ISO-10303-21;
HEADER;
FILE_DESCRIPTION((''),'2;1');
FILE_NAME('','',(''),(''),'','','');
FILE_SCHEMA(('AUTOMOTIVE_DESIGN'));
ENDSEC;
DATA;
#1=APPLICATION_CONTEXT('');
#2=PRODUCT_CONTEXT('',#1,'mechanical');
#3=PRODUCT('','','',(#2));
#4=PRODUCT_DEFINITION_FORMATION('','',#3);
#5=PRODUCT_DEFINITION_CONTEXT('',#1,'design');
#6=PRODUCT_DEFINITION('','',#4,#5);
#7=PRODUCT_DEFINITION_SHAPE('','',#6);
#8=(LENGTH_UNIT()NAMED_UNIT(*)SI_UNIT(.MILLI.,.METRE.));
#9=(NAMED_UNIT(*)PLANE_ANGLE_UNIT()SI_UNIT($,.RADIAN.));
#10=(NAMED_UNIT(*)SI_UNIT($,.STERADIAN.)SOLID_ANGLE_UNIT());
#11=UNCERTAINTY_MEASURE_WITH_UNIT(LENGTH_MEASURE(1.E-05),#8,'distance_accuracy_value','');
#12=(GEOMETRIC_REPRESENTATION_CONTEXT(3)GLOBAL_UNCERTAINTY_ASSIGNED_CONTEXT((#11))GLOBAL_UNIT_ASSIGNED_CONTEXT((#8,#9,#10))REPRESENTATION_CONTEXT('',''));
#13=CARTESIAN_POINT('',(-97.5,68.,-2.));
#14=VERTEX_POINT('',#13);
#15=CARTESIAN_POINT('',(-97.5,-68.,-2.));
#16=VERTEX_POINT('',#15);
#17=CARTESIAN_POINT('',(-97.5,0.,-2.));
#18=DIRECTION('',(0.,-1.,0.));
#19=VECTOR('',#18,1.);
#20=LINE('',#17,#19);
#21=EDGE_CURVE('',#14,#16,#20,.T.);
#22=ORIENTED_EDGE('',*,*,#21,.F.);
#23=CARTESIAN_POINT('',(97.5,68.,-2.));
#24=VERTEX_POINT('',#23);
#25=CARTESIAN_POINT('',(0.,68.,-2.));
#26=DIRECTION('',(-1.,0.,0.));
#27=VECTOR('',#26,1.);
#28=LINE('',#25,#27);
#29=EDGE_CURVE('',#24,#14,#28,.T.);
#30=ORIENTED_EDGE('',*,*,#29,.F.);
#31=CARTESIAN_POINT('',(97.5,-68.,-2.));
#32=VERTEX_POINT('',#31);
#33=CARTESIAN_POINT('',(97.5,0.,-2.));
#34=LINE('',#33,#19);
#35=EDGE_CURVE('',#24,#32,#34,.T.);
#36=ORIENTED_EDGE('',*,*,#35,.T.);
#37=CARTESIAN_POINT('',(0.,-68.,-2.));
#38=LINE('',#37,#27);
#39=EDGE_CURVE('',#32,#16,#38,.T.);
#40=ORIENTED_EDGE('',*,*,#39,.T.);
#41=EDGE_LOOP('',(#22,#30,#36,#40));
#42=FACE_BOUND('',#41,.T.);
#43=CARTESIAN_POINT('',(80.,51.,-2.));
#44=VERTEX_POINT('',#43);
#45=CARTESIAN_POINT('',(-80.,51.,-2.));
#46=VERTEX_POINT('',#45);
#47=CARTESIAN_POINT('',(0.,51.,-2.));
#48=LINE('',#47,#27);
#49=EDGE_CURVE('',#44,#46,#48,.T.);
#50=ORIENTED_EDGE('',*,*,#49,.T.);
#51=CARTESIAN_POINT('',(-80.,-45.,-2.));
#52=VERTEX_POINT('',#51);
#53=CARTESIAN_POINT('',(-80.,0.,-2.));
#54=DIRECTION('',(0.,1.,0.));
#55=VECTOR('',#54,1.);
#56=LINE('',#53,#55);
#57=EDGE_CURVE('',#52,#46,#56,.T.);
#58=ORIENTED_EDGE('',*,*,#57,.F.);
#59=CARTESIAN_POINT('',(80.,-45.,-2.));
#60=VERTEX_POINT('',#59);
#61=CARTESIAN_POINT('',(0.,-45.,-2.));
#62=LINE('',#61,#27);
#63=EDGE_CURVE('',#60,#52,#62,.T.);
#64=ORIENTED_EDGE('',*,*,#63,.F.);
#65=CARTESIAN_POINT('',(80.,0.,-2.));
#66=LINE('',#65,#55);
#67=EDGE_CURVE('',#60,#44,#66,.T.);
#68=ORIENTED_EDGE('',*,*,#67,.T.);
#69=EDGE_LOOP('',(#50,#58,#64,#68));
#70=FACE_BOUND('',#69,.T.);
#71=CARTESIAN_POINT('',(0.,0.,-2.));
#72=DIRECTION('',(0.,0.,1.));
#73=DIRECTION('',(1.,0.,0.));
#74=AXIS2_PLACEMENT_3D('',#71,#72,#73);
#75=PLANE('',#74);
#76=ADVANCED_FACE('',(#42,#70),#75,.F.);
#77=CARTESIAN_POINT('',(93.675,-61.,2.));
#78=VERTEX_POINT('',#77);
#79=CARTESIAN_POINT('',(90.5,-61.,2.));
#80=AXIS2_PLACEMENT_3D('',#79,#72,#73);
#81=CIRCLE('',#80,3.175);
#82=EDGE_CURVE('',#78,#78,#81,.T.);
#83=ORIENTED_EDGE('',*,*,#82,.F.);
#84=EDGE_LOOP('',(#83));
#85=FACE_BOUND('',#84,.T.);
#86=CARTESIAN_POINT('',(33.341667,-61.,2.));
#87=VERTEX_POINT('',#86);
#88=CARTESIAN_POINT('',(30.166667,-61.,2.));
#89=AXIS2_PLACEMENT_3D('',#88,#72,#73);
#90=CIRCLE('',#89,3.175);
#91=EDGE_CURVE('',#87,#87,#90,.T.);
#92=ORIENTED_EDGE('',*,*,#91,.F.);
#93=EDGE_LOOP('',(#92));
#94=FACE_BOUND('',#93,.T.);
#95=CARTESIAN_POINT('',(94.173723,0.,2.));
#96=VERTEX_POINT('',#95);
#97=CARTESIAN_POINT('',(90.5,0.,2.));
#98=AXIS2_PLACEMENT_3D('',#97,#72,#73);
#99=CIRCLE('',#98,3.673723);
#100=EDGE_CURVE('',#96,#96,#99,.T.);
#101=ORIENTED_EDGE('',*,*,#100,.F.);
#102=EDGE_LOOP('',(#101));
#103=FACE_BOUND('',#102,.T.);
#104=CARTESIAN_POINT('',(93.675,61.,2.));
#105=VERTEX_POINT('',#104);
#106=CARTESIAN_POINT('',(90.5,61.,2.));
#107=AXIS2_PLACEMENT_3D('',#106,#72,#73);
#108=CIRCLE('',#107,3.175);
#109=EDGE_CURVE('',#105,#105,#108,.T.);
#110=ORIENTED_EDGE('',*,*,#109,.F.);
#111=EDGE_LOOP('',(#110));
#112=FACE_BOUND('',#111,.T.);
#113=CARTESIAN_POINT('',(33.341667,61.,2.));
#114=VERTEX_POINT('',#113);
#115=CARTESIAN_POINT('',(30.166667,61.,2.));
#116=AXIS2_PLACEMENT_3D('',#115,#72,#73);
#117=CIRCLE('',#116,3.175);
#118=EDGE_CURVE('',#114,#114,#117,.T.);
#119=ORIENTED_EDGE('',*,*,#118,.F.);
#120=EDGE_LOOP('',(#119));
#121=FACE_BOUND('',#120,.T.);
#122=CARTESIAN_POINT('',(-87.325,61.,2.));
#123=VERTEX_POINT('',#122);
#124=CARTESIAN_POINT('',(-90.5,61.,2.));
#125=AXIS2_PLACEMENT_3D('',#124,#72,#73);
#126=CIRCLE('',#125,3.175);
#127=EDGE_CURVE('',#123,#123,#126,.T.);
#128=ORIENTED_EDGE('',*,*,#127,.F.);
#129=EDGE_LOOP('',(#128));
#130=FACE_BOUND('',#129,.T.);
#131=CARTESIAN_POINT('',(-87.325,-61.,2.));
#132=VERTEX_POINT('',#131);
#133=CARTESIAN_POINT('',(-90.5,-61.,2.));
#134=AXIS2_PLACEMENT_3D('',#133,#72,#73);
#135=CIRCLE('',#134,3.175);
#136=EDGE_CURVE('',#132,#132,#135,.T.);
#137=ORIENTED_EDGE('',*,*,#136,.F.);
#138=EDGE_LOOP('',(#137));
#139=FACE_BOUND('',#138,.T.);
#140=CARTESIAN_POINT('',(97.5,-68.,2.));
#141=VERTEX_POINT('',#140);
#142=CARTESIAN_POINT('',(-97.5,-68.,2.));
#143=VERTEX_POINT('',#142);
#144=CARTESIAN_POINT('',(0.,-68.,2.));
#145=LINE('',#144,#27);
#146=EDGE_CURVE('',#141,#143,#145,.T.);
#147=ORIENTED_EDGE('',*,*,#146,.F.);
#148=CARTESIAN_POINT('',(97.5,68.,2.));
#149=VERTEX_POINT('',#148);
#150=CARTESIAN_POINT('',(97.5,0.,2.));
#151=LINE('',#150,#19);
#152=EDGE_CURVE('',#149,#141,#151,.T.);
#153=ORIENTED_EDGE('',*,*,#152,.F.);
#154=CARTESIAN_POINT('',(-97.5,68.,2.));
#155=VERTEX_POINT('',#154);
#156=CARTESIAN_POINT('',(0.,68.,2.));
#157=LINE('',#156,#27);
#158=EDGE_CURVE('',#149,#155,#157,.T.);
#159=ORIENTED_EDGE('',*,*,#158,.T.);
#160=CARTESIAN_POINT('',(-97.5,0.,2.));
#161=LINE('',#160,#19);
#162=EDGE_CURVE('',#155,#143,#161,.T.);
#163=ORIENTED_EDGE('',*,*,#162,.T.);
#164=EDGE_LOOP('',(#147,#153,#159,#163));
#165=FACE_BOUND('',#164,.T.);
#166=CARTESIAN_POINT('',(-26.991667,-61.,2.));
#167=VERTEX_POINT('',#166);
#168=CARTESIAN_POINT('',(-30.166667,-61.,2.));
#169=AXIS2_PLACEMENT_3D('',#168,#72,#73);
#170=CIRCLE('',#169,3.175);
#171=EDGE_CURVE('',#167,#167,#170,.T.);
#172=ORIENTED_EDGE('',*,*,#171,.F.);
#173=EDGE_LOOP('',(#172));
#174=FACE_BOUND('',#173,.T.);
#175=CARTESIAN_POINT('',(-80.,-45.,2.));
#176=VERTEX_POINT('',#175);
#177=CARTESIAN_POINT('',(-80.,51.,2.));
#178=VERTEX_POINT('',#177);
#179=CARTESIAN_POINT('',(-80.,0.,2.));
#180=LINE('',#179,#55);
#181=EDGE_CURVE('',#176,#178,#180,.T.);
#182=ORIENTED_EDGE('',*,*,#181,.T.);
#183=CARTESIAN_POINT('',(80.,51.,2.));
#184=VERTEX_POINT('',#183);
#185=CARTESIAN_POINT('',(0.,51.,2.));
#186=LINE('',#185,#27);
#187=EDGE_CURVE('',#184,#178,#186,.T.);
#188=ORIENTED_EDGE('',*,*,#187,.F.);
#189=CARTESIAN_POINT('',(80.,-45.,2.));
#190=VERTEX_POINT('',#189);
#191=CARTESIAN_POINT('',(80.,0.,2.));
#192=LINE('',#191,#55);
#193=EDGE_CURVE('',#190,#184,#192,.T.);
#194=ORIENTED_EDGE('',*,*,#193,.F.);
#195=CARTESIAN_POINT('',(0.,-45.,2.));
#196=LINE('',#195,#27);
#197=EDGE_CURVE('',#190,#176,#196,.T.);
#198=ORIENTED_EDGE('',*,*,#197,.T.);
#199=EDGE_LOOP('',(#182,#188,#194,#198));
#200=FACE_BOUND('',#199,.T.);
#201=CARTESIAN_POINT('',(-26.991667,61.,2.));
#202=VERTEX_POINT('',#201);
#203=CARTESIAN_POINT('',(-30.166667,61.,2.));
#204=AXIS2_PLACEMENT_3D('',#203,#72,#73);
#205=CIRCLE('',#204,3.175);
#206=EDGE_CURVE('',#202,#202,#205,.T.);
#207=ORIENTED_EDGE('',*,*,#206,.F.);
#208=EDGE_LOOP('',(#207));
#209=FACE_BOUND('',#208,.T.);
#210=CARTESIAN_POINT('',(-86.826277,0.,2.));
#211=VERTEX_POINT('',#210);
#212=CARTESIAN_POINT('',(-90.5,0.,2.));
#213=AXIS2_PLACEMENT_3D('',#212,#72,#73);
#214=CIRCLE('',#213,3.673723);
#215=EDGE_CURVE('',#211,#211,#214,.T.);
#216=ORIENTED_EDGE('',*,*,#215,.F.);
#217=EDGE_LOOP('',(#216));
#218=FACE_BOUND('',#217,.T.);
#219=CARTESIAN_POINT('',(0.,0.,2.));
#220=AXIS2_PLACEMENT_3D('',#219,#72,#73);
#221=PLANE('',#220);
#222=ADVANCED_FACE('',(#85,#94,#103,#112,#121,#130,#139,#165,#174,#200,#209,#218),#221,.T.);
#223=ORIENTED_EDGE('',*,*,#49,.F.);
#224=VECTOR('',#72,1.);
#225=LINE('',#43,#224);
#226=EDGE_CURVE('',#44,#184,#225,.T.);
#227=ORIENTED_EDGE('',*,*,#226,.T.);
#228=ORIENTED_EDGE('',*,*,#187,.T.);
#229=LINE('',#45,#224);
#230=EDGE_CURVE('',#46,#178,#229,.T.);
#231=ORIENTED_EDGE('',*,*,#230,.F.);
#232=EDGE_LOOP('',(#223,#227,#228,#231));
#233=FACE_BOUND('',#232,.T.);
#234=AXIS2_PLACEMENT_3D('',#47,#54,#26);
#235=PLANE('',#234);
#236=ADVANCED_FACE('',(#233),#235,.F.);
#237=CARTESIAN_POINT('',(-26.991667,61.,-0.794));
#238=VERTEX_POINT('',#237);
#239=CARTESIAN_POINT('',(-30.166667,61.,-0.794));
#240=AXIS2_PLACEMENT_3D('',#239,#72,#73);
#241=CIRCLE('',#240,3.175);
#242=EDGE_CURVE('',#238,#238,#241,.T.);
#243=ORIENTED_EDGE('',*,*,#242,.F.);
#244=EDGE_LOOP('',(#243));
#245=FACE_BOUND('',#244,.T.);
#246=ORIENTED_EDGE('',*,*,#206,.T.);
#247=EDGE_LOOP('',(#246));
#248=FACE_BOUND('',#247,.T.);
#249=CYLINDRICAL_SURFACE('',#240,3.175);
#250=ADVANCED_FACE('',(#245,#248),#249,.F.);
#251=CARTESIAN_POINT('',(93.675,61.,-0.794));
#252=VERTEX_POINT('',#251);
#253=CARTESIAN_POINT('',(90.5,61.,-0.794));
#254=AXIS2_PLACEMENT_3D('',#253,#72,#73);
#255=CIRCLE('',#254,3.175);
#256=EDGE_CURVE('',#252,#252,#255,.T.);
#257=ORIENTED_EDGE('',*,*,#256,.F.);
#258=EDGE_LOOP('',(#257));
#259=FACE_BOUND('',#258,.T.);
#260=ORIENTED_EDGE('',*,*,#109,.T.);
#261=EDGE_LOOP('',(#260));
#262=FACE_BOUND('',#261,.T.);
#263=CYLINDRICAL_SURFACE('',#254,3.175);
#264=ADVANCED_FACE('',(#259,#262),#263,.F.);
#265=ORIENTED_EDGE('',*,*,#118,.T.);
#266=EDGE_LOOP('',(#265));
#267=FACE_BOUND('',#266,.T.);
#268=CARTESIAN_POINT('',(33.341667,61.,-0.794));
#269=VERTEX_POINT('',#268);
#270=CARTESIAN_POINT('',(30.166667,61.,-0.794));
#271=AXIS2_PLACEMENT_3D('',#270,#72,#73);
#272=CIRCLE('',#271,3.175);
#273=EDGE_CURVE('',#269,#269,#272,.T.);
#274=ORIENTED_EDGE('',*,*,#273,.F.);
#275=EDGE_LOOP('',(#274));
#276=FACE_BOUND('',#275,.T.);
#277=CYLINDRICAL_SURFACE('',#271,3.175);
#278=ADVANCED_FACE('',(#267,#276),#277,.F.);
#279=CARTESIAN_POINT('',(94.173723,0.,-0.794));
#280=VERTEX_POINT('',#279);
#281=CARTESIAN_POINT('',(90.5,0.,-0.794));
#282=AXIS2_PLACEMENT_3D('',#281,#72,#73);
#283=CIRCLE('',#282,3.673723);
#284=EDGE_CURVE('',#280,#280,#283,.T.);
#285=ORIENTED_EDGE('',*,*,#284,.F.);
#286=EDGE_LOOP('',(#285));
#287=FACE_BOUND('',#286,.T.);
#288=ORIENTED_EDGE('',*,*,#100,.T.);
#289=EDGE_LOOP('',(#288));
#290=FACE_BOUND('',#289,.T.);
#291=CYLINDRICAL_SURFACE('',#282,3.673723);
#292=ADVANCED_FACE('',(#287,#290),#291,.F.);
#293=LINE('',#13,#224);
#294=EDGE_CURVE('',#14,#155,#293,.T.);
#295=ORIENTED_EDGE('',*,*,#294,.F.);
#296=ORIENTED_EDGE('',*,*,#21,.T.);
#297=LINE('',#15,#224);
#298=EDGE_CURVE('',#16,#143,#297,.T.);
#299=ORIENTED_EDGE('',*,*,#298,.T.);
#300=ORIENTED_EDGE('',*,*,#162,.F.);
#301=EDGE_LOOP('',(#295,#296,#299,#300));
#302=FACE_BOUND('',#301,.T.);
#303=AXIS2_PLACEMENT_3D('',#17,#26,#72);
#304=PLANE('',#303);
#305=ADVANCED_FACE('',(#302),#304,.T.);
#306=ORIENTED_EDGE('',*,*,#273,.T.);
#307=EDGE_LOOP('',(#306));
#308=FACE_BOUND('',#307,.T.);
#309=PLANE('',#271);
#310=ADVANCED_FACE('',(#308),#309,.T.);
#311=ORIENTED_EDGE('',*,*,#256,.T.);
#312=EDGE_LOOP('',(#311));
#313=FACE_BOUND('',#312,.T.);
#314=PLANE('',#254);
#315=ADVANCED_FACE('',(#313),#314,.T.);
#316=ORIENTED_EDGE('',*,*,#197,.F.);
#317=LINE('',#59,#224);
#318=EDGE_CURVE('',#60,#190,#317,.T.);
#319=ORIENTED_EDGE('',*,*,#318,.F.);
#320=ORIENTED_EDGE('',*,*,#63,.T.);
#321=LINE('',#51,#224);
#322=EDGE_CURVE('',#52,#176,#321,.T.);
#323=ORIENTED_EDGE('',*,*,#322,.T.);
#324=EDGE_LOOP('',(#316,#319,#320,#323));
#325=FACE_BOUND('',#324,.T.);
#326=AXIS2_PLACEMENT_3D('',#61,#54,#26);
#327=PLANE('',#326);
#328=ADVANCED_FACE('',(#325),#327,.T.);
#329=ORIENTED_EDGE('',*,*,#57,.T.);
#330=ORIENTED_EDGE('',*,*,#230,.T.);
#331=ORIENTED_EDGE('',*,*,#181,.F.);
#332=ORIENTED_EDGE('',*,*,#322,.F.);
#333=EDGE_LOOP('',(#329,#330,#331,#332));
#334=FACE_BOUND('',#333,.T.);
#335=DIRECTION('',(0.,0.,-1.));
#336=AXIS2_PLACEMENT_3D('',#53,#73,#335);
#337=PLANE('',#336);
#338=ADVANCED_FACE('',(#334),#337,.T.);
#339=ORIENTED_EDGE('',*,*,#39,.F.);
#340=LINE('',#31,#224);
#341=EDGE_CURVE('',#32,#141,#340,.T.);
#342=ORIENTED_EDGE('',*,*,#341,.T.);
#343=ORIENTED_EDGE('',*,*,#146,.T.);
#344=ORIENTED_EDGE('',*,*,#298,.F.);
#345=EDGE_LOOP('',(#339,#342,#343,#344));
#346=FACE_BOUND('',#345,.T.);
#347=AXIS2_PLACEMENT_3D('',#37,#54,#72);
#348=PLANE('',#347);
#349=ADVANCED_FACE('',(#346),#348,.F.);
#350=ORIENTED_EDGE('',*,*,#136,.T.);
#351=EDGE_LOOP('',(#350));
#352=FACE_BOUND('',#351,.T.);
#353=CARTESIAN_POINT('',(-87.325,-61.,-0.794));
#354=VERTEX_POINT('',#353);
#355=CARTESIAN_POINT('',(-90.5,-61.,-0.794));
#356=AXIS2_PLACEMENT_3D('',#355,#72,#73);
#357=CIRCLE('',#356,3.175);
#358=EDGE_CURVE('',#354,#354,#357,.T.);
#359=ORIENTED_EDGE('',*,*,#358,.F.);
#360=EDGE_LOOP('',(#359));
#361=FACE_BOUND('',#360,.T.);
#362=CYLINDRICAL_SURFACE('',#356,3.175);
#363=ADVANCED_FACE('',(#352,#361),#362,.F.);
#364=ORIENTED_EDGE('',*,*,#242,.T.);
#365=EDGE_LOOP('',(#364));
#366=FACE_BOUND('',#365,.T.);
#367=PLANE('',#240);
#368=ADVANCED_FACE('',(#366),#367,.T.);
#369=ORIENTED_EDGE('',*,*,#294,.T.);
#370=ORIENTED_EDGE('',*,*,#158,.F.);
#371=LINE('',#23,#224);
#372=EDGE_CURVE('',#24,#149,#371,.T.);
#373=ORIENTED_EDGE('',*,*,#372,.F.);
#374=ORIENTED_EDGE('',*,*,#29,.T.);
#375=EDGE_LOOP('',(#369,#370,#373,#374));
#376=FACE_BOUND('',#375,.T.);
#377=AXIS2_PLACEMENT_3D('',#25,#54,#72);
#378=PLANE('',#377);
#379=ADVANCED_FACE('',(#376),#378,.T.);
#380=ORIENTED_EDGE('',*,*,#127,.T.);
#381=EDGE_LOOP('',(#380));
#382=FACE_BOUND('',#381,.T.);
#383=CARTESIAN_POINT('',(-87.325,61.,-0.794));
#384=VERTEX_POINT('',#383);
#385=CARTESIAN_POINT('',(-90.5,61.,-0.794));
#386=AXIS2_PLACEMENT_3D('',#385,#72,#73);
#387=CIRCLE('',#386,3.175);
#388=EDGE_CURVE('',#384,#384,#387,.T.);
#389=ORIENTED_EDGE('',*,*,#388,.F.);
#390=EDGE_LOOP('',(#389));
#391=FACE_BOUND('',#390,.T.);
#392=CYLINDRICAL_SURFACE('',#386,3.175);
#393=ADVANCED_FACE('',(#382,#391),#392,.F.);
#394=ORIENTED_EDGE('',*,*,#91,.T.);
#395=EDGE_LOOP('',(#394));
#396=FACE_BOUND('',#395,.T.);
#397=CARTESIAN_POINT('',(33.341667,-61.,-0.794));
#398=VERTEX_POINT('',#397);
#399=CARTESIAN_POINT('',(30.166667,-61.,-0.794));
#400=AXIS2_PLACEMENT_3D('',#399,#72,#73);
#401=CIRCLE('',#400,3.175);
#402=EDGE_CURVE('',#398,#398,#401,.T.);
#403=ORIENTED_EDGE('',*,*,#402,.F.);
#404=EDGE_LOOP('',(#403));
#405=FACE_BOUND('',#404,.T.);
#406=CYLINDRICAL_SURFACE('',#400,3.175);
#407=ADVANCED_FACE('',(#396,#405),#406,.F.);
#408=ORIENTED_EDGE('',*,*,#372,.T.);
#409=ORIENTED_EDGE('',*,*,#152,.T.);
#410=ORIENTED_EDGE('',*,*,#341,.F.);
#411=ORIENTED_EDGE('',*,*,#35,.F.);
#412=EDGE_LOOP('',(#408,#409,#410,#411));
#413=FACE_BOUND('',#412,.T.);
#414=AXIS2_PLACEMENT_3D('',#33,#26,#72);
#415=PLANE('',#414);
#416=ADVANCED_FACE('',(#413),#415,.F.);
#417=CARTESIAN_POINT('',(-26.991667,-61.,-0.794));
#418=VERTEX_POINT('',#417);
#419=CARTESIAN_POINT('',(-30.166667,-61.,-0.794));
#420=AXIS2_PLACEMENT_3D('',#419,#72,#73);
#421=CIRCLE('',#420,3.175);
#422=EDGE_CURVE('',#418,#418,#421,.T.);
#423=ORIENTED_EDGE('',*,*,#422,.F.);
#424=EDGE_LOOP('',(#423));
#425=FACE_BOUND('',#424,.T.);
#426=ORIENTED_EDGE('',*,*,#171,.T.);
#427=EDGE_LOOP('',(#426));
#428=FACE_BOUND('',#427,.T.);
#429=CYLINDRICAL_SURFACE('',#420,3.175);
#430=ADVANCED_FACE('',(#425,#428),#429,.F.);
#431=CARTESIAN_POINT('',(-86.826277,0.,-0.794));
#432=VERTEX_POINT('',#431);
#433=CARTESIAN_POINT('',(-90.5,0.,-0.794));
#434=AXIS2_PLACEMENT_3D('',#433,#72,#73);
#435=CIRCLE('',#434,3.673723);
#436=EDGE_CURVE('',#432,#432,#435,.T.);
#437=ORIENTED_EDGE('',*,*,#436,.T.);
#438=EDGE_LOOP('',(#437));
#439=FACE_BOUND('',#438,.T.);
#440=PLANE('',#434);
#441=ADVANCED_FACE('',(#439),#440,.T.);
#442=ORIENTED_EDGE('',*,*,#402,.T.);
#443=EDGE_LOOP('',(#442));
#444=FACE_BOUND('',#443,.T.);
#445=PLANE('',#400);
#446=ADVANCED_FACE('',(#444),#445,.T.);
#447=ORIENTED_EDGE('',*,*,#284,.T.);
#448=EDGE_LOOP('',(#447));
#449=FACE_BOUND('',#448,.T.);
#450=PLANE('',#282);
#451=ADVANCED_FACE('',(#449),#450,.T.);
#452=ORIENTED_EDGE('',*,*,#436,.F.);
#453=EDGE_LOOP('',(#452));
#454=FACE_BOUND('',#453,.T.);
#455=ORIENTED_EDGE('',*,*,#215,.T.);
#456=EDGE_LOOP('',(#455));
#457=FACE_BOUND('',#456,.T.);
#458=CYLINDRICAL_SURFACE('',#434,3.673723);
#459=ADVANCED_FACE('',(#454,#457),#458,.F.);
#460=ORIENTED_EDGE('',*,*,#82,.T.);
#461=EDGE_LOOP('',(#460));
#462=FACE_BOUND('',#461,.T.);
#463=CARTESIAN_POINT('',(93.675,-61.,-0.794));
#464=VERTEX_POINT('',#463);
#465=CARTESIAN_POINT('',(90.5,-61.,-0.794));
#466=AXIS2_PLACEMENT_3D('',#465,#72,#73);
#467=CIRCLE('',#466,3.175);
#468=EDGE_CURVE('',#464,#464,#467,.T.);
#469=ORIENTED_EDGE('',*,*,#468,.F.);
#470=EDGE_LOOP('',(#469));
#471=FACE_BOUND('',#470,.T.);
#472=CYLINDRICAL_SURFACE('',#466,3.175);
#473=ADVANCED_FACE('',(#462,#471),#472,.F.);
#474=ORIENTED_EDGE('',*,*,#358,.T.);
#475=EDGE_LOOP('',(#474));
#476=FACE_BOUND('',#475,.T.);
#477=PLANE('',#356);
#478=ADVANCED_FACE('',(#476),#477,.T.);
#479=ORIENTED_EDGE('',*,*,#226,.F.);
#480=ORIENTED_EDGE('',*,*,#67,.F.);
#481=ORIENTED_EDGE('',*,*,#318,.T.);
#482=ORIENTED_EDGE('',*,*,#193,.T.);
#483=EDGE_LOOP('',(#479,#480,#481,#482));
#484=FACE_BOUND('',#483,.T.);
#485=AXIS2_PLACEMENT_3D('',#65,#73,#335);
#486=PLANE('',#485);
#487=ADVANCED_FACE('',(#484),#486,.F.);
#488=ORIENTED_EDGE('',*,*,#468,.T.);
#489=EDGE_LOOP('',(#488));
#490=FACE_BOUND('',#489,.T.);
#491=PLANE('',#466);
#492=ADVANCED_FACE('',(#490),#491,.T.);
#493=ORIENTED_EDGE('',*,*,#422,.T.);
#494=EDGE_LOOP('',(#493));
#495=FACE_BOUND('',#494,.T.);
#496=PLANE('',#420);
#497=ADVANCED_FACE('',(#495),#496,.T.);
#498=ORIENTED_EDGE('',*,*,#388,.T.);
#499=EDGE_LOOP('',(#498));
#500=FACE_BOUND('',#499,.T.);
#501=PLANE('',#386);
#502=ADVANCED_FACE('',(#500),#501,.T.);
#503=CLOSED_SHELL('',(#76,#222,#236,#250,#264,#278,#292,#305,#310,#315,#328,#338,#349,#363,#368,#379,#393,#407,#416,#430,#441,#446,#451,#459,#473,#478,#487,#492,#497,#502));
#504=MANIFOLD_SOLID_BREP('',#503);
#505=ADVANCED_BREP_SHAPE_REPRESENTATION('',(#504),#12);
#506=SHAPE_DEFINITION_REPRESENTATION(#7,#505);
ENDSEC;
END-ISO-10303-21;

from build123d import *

# Parameters (mm, degrees)
SKETCH1_W           = 195
SKETCH1_H           = 136
SKETCH1_W_2         = 160
SKETCH1_H_2         = 96
BOSS_EXTRUDE1_DEPTH = 2
SKETCH1_3_W         = 195
SKETCH1_3_H         = 136
SKETCH1_3_W_2       = 160
SKETCH1_3_H_2       = 96
BOSS_EXTRUDE2_DEPTH = 2
SKETCH2_R           = 3.175
SKETCH2_R_2         = 3.673722566
CUT_EXTRUDE1_DEPTH  = 2.794


with BuildPart() as part:
    # Sketch1 → Boss-Extrude1 (new body)
    with BuildSketch(Plane.XY):
        Rectangle(SKETCH1_W, SKETCH1_H)
        with Locations((0, 3)):
            Rectangle(SKETCH1_W_2, SKETCH1_H_2, mode=Mode.SUBTRACT)
    extrude(amount=-BOSS_EXTRUDE1_DEPTH)

    # Sketch1<3> → Boss-Extrude2 (add)
    with BuildSketch(Plane.XY):
        Rectangle(SKETCH1_3_W, SKETCH1_3_H)
        with Locations((0, 3)):
            Rectangle(SKETCH1_3_W_2, SKETCH1_3_H_2, mode=Mode.SUBTRACT)
    extrude(amount=BOSS_EXTRUDE2_DEPTH)

    # Sketch2 → Cut-Extrude1 (cut)
    with BuildSketch(Plane.XY.offset(2)):
        with Locations((-90.5, 61)):
            Circle(SKETCH2_R)
        with Locations((90.5, 61)):
            Circle(SKETCH2_R)
        with Locations((90.5, -61)):
            Circle(SKETCH2_R)
        with Locations((-90.5, -61)):
            Circle(SKETCH2_R)
        with Locations((-30.166666667, -61)):
            Circle(SKETCH2_R)
        with Locations((30.166666667, -61)):
            Circle(SKETCH2_R)
        with Locations((90.5, 0)):
            Circle(SKETCH2_R_2)
        with Locations((-30.166666667, 61)):
            Circle(SKETCH2_R)
        with Locations((30.166666667, 61)):
            Circle(SKETCH2_R)
        with Locations((-90.5, 0)):
            Circle(SKETCH2_R_2)
    extrude(amount=-CUT_EXTRUDE1_DEPTH, mode=Mode.SUBTRACT)


solid = part.part
